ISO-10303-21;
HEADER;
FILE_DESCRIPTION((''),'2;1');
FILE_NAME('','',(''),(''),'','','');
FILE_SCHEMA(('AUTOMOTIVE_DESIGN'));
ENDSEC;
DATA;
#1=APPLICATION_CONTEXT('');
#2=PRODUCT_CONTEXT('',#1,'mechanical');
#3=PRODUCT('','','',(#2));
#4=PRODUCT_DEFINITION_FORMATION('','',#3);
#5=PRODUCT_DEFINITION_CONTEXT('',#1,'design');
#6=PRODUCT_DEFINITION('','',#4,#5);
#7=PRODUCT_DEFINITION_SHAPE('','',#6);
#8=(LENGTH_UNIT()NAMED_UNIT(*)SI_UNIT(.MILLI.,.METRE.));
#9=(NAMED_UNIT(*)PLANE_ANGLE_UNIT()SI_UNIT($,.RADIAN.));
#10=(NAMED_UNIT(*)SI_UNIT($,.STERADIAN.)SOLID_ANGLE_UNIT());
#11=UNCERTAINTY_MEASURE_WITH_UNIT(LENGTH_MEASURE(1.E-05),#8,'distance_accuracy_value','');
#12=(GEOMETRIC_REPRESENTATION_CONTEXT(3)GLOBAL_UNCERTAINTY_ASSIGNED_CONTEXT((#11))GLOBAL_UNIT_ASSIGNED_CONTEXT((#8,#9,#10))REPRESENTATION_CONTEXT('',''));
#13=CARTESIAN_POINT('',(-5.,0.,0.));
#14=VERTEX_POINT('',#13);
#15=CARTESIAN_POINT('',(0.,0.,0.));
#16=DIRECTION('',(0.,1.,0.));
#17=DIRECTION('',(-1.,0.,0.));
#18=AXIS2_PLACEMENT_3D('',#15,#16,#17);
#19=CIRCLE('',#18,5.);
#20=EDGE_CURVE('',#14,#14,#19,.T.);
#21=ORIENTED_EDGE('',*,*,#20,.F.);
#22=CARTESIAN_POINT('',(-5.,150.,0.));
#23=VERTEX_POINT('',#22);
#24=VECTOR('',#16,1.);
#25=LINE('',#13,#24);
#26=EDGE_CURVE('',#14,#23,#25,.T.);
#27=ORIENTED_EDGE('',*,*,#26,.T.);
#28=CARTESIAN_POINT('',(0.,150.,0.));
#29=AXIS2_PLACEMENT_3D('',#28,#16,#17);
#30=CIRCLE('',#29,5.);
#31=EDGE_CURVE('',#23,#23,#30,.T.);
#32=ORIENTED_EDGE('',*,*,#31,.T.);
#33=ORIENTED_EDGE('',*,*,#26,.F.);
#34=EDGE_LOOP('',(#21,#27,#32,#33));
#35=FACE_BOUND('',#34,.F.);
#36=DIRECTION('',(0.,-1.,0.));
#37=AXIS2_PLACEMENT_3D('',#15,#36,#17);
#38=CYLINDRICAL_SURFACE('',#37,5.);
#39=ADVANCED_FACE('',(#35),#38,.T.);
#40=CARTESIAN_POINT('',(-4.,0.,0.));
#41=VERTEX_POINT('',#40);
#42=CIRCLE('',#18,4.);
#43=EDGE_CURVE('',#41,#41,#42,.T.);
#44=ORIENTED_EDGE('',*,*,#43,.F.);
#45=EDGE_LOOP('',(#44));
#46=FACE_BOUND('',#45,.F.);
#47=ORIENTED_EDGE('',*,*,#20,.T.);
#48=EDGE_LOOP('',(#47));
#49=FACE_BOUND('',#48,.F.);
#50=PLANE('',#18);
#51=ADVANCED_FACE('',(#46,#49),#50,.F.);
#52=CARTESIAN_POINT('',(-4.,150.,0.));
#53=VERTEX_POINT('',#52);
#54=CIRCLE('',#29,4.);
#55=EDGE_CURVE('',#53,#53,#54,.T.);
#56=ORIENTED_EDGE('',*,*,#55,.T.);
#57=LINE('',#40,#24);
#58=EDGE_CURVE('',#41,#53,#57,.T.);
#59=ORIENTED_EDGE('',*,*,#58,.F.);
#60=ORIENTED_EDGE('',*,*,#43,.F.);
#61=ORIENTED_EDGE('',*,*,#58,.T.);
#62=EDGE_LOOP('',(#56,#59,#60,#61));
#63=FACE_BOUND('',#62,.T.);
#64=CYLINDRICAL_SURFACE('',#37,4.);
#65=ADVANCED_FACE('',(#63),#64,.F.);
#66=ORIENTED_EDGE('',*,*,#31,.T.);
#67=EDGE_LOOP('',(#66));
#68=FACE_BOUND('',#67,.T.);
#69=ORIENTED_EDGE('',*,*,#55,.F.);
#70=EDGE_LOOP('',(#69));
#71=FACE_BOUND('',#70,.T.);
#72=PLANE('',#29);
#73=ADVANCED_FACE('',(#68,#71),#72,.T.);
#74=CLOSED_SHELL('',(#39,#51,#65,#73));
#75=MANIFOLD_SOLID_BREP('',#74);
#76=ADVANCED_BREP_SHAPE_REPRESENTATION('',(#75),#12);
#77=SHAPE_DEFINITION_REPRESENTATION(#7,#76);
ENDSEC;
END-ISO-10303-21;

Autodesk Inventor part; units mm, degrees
ref_plane "YZ Plane" through (0, 0, 0) normal (1, 0, 0) x (0, 1, 0)
ref_plane "XZ Plane" through (0, 0, 0) normal (0, 1, 0) x (-1, 0, 0)
ref_plane "XY Plane" through (0, 0, 0) normal (0, 0, 1) x (1, 0, 0)
sketch "Sketch1" plane through (0, 0, 0) normal (0, 1, 0) x (-1, 0, 0)
  circle A0 centre (0, 0) radius 4
  circle A1 centre (0, 0) radius 5
  dimension "d0" = 8
  dimension "d1" = 10
extrude "Extrusion1" add sketch "Sketch1" along normal blind 150
properties part number "Carbon Fiber Round Tube 330x16x14mm" material "PET Plastic"
